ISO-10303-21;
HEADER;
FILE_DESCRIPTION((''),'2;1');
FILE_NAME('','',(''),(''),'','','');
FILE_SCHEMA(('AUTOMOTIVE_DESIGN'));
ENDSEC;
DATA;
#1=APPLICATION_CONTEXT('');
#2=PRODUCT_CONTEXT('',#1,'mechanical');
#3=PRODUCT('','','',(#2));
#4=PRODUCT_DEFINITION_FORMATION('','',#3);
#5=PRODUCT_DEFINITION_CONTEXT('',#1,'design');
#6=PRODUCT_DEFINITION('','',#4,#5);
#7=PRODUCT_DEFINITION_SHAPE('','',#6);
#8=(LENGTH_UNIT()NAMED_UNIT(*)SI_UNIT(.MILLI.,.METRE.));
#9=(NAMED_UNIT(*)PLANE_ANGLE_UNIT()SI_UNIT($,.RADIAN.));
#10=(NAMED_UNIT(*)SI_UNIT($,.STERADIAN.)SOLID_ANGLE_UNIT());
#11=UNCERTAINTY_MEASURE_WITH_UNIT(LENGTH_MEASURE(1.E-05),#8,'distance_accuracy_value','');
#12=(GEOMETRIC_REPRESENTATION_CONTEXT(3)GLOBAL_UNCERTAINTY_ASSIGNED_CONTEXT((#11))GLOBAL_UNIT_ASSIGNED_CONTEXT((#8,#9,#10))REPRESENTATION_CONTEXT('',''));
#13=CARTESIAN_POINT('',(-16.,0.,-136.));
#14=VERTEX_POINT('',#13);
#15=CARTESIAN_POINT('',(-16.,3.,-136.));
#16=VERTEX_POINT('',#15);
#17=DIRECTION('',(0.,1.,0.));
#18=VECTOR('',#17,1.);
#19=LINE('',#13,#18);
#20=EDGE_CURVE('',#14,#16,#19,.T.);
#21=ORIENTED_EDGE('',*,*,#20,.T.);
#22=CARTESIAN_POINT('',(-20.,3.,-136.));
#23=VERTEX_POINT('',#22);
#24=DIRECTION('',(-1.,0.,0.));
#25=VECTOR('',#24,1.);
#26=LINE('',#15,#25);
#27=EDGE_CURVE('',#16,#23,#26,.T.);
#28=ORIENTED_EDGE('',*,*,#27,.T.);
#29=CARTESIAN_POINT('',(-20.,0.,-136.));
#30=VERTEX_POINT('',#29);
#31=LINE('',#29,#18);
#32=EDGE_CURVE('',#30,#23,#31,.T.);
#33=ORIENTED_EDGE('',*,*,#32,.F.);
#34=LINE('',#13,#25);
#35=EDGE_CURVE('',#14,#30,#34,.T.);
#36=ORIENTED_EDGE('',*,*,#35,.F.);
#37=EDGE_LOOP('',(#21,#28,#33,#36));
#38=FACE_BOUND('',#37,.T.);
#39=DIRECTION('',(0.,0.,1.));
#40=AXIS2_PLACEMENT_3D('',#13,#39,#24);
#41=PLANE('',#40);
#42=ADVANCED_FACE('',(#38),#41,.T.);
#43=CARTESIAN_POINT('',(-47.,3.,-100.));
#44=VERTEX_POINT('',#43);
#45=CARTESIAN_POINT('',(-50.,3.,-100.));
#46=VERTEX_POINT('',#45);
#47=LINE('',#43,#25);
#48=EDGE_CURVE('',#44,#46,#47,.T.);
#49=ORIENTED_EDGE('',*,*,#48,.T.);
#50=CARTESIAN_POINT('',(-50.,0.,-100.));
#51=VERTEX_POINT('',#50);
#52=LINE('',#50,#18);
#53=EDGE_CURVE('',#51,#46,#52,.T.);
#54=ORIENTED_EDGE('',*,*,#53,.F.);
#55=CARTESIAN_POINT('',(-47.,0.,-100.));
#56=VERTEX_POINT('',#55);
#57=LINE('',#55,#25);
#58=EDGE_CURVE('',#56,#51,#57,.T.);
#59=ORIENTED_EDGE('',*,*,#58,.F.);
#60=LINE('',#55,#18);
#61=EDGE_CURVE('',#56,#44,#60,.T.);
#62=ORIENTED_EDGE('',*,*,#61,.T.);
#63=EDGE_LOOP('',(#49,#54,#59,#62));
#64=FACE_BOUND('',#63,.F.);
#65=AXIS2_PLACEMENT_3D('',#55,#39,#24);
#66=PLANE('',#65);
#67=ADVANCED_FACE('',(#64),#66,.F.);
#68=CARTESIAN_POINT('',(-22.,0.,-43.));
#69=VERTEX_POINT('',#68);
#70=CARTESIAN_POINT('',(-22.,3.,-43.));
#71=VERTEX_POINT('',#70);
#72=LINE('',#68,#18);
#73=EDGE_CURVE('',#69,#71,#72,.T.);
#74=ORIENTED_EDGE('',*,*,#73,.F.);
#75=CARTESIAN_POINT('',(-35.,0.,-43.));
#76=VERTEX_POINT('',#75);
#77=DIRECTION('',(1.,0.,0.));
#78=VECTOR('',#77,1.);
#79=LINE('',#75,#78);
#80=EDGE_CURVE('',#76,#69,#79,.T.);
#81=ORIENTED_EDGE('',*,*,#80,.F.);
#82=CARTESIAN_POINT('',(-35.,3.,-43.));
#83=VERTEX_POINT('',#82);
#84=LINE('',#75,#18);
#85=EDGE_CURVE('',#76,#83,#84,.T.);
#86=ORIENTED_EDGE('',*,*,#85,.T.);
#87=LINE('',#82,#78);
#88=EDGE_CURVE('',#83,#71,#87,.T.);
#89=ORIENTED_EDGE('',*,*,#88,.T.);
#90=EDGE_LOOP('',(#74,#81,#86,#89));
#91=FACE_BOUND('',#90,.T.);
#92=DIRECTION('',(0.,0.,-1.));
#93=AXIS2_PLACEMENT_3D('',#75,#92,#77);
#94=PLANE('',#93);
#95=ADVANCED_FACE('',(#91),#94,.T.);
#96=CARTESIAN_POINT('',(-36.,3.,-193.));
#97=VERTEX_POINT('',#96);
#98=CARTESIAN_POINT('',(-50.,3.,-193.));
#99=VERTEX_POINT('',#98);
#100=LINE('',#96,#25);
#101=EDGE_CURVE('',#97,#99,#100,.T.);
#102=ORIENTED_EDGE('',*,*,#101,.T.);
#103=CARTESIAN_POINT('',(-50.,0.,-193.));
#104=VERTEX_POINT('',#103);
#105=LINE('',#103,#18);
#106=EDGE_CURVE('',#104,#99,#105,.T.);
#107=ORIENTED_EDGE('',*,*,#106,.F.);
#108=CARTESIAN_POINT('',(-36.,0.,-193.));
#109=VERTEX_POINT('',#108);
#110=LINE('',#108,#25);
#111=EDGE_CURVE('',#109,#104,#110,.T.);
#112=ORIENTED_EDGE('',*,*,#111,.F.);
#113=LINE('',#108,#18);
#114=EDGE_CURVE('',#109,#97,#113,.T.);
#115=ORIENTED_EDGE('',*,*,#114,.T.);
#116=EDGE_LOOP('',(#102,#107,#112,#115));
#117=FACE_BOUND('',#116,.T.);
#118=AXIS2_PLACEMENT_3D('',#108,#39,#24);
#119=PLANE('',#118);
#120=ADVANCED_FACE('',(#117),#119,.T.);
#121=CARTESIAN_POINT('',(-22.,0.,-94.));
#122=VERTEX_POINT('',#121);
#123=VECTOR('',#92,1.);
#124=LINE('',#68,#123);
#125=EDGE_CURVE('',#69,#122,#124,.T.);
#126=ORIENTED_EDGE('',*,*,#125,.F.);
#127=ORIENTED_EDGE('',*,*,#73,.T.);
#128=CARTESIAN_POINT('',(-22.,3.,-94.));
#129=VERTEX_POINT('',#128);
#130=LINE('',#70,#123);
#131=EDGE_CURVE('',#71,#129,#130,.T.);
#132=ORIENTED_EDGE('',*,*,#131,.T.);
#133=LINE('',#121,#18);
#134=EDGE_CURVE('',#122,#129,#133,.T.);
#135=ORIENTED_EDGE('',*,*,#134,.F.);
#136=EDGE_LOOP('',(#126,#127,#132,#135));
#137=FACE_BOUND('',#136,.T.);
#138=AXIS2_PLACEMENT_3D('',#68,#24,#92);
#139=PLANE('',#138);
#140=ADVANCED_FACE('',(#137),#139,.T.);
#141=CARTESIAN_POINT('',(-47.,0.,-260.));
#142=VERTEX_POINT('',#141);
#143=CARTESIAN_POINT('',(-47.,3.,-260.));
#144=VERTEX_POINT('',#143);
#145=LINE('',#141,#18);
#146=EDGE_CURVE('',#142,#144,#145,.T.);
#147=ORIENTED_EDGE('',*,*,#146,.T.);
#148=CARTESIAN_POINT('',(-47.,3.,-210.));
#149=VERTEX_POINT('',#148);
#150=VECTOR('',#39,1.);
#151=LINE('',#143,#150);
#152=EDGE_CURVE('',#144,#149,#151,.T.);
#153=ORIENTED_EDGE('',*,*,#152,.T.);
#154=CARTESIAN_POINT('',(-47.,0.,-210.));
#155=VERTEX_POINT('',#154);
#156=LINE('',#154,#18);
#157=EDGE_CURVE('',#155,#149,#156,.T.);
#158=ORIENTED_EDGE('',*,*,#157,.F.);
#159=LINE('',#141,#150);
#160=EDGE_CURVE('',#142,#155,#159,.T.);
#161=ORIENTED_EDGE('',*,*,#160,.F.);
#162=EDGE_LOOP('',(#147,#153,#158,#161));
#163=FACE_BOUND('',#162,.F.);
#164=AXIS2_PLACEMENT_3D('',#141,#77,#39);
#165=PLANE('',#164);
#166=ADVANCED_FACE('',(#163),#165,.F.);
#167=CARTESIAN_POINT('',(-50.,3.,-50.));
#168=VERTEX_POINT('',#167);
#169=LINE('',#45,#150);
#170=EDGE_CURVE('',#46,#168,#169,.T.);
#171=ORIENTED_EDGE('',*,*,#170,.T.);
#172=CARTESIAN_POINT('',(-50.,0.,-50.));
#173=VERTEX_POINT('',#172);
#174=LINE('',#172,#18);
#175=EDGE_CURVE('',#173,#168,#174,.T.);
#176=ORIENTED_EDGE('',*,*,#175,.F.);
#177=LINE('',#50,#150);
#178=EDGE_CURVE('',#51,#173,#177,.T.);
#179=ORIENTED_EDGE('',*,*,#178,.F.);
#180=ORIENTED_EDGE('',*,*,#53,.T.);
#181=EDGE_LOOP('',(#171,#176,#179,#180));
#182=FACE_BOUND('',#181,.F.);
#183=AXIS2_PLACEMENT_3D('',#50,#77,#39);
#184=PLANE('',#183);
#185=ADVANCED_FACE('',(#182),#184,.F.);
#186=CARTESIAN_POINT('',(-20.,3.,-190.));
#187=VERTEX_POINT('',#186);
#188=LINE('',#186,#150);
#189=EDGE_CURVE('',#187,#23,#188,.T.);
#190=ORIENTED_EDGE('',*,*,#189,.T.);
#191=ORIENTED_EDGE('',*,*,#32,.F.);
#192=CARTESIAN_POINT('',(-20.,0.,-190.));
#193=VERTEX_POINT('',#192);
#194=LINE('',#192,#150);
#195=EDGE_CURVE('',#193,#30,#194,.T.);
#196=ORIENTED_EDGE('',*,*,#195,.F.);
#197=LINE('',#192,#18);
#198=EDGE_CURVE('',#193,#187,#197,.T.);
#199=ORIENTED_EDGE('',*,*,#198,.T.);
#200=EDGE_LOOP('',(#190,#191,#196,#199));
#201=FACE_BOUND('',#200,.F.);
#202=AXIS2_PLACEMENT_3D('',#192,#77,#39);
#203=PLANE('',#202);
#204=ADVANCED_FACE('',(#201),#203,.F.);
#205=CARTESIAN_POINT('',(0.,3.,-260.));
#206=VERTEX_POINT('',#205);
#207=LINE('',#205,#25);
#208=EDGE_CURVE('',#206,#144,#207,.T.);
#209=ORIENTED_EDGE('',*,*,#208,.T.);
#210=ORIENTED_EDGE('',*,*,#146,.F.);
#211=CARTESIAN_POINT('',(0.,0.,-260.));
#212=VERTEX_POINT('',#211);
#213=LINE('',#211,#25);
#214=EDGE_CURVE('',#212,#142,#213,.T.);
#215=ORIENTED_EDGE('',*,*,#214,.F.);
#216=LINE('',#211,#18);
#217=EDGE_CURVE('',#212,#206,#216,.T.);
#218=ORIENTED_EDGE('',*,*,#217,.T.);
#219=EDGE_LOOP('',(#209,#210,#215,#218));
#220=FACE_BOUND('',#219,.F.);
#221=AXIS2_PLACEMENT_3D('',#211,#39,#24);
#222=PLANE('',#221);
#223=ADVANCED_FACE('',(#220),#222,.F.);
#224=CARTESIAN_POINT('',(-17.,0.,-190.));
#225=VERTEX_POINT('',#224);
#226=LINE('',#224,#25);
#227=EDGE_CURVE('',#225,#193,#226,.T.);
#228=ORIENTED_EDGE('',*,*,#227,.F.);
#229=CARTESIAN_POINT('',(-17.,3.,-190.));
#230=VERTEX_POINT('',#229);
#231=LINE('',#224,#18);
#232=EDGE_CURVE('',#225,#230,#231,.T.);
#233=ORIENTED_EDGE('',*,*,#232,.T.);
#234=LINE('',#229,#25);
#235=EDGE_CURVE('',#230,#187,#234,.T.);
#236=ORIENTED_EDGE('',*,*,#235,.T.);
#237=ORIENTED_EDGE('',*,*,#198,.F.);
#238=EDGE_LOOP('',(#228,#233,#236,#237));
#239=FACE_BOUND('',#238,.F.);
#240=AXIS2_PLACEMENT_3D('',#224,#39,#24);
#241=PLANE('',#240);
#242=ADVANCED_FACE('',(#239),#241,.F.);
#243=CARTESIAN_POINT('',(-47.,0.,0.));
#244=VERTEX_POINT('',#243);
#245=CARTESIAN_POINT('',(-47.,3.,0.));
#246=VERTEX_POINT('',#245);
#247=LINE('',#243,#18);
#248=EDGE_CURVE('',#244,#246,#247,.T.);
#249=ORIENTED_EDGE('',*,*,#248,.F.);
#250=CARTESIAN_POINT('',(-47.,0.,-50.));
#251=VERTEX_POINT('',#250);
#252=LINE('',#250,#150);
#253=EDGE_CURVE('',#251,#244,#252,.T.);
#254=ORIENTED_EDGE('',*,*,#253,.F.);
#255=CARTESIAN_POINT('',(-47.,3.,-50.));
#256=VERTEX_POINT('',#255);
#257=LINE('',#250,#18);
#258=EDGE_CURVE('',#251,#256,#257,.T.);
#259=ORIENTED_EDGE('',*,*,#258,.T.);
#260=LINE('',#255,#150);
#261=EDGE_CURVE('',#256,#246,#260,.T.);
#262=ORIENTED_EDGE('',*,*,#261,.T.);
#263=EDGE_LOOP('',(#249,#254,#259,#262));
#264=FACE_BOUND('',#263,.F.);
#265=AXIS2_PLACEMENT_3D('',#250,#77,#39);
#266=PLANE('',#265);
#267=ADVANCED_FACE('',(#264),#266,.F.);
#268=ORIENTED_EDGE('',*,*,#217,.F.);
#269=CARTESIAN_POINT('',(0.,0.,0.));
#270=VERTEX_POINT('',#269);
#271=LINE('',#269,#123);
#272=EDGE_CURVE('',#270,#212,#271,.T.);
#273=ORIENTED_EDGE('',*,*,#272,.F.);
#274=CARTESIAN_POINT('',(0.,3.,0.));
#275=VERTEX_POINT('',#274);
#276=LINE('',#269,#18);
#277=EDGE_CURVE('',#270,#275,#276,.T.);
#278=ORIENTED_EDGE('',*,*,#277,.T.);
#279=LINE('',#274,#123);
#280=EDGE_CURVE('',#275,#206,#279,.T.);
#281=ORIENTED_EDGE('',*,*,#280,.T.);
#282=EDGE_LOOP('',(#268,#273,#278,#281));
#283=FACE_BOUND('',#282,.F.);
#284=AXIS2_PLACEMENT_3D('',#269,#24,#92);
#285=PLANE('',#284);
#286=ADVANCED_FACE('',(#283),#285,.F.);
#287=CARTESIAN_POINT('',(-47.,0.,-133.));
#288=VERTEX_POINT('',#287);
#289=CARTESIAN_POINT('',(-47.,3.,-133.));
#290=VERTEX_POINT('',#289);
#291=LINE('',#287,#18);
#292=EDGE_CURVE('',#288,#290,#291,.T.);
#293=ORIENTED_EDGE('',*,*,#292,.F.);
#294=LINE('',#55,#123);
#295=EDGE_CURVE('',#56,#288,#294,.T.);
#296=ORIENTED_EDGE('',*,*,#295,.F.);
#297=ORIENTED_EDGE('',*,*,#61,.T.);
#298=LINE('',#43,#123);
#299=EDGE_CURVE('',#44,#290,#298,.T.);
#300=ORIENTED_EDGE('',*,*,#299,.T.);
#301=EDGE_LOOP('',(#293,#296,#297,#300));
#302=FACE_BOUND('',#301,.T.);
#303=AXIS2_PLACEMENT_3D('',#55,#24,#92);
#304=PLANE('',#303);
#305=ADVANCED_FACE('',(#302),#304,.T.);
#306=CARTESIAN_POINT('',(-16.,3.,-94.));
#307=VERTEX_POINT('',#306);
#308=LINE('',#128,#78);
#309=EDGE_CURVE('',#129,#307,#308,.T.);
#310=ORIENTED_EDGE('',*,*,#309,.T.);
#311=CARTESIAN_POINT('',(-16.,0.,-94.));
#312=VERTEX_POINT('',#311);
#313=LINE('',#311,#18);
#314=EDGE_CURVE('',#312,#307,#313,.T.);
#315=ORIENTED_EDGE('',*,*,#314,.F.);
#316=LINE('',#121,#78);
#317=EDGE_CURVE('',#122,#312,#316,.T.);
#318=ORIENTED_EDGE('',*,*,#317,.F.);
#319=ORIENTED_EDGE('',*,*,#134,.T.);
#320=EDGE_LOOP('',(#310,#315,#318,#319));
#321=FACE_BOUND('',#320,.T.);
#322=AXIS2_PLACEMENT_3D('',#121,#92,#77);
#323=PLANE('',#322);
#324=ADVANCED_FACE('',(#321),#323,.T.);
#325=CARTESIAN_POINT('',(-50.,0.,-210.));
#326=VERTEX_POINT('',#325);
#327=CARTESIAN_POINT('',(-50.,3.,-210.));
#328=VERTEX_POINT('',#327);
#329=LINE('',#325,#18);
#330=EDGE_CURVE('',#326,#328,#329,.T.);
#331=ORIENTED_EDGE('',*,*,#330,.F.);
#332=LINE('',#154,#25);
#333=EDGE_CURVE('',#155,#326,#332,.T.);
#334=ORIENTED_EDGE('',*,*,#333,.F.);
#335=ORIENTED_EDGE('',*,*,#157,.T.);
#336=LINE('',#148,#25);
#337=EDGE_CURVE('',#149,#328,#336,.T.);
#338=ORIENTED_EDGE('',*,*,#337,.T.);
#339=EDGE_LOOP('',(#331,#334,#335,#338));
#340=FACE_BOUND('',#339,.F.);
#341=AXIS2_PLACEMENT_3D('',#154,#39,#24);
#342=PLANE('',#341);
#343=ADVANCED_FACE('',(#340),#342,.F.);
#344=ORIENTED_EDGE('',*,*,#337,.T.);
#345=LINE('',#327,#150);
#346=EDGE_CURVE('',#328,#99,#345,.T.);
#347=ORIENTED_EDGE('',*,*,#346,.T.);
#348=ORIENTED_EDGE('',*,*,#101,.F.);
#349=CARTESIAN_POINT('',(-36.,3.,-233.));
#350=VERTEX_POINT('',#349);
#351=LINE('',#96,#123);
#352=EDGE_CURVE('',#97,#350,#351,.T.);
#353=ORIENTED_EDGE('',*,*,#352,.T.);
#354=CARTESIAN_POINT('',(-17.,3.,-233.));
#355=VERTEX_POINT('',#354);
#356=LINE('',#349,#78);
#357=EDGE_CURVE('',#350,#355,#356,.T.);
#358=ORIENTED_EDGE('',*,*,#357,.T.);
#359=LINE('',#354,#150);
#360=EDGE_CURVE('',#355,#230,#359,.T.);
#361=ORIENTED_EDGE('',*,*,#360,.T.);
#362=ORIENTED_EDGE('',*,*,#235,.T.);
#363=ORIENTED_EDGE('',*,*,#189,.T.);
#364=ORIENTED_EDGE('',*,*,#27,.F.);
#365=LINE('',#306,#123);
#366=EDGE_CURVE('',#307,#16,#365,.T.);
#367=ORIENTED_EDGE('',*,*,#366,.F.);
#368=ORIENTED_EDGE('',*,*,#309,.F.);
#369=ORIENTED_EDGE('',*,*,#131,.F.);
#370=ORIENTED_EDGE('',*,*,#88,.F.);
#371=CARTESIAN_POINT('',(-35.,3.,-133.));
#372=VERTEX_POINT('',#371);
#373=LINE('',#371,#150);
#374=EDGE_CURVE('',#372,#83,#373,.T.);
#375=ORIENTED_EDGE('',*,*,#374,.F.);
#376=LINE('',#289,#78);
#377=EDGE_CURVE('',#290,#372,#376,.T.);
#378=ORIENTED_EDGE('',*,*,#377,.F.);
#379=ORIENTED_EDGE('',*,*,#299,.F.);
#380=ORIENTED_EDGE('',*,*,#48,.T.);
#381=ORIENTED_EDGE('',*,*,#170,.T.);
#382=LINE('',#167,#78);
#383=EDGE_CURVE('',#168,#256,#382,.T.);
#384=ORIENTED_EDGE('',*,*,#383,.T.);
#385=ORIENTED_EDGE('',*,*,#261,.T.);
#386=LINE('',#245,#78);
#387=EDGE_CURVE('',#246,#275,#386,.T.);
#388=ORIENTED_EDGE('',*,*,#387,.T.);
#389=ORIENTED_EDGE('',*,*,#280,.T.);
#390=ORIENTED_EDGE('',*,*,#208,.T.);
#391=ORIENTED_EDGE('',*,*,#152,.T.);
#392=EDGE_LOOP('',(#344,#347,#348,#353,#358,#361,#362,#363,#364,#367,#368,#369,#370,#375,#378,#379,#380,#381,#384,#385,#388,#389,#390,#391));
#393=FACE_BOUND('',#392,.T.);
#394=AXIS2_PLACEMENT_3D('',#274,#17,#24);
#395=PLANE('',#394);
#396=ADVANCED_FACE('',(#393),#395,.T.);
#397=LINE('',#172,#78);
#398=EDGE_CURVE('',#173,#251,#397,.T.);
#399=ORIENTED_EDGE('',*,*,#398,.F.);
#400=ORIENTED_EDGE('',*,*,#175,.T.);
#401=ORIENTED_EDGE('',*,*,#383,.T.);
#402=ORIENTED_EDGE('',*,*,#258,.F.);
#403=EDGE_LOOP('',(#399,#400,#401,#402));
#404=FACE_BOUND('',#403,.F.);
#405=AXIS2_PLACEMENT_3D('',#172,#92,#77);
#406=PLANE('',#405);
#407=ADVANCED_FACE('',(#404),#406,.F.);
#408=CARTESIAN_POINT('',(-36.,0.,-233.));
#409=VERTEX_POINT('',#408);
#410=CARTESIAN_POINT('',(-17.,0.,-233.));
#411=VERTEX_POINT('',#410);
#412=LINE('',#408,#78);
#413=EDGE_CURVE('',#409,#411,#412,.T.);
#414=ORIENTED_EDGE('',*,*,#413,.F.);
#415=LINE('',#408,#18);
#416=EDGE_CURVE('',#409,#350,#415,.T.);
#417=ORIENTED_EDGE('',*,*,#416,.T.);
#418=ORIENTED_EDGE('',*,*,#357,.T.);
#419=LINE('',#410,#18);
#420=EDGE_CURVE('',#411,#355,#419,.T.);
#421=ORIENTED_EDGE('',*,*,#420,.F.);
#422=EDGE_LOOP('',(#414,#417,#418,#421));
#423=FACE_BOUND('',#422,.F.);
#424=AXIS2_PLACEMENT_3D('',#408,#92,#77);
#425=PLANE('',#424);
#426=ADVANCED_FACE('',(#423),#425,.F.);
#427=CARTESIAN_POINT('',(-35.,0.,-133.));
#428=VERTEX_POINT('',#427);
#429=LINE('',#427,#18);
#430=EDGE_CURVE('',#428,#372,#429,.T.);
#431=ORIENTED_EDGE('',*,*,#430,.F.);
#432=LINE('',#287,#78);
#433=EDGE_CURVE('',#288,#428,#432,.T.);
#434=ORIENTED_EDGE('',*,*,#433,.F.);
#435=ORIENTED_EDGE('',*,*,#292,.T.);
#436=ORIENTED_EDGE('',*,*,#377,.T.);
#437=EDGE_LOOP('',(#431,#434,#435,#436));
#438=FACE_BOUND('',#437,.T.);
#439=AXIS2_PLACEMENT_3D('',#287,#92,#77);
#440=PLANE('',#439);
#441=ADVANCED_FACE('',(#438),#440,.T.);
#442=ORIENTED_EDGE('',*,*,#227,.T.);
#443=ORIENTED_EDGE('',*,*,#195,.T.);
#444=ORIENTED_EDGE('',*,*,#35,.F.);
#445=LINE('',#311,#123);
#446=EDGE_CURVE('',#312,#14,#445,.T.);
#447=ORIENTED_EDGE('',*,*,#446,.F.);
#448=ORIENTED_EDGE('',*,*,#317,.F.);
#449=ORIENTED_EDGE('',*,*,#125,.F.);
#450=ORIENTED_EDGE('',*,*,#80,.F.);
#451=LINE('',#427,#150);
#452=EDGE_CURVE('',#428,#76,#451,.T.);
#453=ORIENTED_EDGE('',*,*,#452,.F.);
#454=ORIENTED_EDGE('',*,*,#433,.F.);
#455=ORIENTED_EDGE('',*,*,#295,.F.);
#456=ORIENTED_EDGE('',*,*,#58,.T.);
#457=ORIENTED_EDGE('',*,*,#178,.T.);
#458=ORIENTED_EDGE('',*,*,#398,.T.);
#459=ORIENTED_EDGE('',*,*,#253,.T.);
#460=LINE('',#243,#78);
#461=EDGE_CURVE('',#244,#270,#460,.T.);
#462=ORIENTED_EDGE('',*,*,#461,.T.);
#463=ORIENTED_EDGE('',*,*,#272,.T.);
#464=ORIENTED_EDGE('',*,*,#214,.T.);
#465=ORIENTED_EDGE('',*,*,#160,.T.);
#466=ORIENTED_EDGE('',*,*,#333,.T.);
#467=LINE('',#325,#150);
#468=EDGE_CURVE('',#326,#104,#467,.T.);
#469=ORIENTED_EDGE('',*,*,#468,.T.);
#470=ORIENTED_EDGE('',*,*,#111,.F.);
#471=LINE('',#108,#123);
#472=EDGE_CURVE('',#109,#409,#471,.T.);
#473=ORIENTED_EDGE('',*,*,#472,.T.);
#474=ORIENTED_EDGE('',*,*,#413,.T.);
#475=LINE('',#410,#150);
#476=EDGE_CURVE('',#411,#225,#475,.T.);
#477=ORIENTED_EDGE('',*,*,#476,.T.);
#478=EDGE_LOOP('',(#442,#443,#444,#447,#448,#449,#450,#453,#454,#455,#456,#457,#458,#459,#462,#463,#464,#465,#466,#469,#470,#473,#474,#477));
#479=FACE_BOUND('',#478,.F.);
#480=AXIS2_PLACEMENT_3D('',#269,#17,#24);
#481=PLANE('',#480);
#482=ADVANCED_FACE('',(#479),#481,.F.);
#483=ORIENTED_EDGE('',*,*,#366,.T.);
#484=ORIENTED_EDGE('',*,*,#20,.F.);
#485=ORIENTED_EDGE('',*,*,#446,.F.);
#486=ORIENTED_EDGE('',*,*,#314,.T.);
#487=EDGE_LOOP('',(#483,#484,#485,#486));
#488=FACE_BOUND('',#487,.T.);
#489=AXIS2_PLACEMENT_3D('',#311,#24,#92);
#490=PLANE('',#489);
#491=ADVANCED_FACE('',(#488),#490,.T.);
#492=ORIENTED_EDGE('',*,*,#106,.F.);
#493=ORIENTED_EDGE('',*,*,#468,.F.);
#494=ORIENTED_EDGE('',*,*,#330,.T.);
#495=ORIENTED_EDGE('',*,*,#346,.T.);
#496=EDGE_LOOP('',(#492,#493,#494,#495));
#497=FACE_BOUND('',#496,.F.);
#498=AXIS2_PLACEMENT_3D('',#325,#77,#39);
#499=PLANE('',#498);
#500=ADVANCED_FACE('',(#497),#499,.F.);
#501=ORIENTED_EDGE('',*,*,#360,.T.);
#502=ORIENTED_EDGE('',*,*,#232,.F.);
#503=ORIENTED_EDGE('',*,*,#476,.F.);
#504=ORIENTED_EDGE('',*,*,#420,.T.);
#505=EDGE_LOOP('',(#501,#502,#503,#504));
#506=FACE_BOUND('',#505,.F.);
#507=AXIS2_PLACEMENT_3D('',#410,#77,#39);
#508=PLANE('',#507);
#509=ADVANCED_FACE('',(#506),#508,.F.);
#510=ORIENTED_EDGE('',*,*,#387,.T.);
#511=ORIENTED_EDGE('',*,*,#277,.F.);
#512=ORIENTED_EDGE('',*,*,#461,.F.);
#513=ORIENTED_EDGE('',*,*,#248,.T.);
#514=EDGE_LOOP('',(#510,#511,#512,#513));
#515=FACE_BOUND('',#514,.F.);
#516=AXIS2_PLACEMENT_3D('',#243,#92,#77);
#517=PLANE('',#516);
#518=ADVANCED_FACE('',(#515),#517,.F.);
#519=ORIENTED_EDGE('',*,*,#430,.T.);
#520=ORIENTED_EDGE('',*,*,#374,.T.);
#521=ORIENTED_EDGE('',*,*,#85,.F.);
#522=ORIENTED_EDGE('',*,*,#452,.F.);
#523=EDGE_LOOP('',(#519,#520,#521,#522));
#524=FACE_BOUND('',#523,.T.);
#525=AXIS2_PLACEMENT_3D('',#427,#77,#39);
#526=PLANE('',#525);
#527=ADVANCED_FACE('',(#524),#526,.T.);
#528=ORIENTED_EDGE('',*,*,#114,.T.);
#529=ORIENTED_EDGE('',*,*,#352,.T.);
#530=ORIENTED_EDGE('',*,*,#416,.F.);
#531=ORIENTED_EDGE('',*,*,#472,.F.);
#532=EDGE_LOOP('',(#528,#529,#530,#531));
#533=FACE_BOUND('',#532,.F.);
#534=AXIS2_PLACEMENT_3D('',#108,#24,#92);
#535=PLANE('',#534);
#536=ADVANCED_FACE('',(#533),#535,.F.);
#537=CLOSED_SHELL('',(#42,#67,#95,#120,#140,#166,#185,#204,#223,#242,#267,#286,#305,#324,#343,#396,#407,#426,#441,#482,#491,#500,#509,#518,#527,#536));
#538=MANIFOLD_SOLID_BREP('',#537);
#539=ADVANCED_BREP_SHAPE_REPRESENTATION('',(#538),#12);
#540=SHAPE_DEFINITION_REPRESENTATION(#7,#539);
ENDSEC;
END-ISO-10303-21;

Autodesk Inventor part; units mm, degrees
ref_plane "YZ Plane" through (0, 0, 0) normal (1, 0, 0) x (0, 1, 0)
ref_plane "XZ Plane" through (0, 0, 0) normal (0, 1, 0) x (-1, 0, 0)
ref_plane "XY Plane" through (0, 0, 0) normal (0, 0, 1) x (1, 0, 0)
sketch "Sketch1" plane through (0, 0, 0) normal (0, 1, 0) x (-1, 0, 0)
  line L0 (0, 0) -> (0, -260)
  line L1 (0, -260) -> (47, -260)
  line L2 (47, -260) -> (47, -210)
  line L3 (47, -210) -> (50, -210)
  line L4 (47, -100) -> (50, -100)
  line L5 (50, -100) -> (50, -50)
  line L6 (50, -50) -> (47, -50)
  line L7 (47, -50) -> (47, 0)
  line L8 (47, 0) -> (0, 0)
  line L9 (47, -260) -> (50, -260) construction
  line L10 (47, -100) -> (47, -133)
  line L11 (47, -260) -> (36, -260) construction
  line L12 (36, -233) -> (17, -233)
  line L13 (17, -233) -> (17, -190)
  line L14 (17, -190) -> (20, -190)
  line L15 (47, -133) -> (35, -133) construction
  line L16 (35, -133) -> (35, -43)
  line L17 (35, -43) -> (22, -43)
  line L18 (22, -43) -> (22, -94)
  line L19 (22, -94) -> (16, -94)
  line L20 (16, -94) -> (16, -136)
  line L21 (16, -136) -> (20, -136)
  line L22 (20, -190) -> (20, -136)
  line L23 (47, -133) -> (35, -133)
  line L24 (50, -210) -> (50, -193)
  line L25 (36, -193) -> (50, -193)
  line L26 (36, -193) -> (36, -233)
  dimension "d0" = 260
  dimension "d1" = 47
  dimension "d2" = 50
  dimension "d3" = 3
  dimension "d6" = 50
  dimension "d10" = 11
  dimension "d14" = 19
  dimension "d15" = 12
  dimension "d16" = 90
  dimension "d17" = 13
  dimension "d18" = 51
  dimension "d19" = 6
  dimension "d20" = 42
  dimension "d24" = 67
  dimension "d25" = 60
extrude "Extrusion1" add sketch "Sketch1" along normal blind 3
properties part number "Atas Terminal"
